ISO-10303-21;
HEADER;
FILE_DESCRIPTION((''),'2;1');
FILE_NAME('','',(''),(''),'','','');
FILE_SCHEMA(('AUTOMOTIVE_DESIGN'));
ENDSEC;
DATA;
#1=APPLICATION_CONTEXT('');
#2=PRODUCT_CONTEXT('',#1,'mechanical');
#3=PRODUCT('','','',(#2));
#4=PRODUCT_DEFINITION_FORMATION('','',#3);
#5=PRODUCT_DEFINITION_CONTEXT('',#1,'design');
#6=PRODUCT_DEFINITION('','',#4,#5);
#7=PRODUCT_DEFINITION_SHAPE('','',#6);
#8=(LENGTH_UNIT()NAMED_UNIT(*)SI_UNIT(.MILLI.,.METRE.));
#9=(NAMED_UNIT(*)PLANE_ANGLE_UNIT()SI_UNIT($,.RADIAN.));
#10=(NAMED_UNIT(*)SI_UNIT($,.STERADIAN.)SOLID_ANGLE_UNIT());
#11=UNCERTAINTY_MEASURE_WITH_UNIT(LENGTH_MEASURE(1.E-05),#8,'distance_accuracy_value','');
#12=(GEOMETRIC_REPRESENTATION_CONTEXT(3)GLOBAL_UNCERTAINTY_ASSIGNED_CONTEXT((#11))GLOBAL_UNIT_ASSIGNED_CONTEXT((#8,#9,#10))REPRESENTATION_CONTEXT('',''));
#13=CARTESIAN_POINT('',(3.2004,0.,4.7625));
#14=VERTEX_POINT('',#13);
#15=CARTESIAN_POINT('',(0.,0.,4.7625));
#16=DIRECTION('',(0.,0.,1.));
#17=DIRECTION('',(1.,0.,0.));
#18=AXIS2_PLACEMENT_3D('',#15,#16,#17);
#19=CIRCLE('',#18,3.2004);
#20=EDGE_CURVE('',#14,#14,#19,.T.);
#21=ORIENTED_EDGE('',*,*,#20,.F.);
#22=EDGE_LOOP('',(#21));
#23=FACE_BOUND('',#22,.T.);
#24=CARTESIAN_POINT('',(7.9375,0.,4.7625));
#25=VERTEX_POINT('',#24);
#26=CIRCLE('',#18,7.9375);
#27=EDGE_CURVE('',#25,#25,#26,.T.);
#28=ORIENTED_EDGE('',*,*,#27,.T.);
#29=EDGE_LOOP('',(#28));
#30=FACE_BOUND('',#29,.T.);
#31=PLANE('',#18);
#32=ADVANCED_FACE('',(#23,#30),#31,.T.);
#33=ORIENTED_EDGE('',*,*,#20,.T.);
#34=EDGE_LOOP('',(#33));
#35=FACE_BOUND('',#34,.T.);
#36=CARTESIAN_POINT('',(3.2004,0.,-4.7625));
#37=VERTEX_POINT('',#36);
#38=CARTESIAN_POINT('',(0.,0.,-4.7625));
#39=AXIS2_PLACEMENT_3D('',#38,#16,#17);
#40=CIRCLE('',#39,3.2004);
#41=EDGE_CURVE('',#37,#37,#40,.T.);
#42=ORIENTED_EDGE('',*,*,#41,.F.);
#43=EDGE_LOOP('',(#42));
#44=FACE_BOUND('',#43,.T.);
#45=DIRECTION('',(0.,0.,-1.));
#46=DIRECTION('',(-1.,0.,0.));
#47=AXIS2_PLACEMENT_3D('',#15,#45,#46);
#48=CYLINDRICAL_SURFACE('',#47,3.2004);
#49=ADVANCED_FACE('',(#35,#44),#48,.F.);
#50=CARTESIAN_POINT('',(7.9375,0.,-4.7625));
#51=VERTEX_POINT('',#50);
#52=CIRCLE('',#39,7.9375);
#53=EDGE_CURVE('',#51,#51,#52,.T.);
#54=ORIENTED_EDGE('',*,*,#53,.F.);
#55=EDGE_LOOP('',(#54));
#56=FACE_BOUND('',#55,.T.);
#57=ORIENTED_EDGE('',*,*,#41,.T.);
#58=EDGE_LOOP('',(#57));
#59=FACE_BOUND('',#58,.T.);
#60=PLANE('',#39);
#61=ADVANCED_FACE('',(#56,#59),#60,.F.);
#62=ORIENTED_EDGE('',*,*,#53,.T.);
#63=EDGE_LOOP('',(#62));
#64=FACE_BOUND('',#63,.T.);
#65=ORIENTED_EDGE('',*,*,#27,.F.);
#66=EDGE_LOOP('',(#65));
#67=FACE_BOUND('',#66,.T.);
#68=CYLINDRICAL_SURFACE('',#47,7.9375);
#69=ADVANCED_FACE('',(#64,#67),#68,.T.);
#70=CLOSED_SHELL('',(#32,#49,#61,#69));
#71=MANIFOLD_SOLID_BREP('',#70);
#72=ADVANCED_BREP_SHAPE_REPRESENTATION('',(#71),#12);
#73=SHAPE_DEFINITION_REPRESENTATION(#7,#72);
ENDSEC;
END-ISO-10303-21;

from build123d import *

# Parameters (mm, degrees)
SKETCH1_R      = 7.9375
SKETCH1_R_2    = 3.2004
EXTRUDE1_DEPTH = 4.7625


with BuildPart() as part:
    # Sketch1 → Extrude1 (new, symmetric)
    with BuildSketch(Plane.XY):
        Circle(SKETCH1_R)
        Circle(SKETCH1_R_2, mode=Mode.SUBTRACT)
    extrude(amount=EXTRUDE1_DEPTH, both=True)


solid = part.part
